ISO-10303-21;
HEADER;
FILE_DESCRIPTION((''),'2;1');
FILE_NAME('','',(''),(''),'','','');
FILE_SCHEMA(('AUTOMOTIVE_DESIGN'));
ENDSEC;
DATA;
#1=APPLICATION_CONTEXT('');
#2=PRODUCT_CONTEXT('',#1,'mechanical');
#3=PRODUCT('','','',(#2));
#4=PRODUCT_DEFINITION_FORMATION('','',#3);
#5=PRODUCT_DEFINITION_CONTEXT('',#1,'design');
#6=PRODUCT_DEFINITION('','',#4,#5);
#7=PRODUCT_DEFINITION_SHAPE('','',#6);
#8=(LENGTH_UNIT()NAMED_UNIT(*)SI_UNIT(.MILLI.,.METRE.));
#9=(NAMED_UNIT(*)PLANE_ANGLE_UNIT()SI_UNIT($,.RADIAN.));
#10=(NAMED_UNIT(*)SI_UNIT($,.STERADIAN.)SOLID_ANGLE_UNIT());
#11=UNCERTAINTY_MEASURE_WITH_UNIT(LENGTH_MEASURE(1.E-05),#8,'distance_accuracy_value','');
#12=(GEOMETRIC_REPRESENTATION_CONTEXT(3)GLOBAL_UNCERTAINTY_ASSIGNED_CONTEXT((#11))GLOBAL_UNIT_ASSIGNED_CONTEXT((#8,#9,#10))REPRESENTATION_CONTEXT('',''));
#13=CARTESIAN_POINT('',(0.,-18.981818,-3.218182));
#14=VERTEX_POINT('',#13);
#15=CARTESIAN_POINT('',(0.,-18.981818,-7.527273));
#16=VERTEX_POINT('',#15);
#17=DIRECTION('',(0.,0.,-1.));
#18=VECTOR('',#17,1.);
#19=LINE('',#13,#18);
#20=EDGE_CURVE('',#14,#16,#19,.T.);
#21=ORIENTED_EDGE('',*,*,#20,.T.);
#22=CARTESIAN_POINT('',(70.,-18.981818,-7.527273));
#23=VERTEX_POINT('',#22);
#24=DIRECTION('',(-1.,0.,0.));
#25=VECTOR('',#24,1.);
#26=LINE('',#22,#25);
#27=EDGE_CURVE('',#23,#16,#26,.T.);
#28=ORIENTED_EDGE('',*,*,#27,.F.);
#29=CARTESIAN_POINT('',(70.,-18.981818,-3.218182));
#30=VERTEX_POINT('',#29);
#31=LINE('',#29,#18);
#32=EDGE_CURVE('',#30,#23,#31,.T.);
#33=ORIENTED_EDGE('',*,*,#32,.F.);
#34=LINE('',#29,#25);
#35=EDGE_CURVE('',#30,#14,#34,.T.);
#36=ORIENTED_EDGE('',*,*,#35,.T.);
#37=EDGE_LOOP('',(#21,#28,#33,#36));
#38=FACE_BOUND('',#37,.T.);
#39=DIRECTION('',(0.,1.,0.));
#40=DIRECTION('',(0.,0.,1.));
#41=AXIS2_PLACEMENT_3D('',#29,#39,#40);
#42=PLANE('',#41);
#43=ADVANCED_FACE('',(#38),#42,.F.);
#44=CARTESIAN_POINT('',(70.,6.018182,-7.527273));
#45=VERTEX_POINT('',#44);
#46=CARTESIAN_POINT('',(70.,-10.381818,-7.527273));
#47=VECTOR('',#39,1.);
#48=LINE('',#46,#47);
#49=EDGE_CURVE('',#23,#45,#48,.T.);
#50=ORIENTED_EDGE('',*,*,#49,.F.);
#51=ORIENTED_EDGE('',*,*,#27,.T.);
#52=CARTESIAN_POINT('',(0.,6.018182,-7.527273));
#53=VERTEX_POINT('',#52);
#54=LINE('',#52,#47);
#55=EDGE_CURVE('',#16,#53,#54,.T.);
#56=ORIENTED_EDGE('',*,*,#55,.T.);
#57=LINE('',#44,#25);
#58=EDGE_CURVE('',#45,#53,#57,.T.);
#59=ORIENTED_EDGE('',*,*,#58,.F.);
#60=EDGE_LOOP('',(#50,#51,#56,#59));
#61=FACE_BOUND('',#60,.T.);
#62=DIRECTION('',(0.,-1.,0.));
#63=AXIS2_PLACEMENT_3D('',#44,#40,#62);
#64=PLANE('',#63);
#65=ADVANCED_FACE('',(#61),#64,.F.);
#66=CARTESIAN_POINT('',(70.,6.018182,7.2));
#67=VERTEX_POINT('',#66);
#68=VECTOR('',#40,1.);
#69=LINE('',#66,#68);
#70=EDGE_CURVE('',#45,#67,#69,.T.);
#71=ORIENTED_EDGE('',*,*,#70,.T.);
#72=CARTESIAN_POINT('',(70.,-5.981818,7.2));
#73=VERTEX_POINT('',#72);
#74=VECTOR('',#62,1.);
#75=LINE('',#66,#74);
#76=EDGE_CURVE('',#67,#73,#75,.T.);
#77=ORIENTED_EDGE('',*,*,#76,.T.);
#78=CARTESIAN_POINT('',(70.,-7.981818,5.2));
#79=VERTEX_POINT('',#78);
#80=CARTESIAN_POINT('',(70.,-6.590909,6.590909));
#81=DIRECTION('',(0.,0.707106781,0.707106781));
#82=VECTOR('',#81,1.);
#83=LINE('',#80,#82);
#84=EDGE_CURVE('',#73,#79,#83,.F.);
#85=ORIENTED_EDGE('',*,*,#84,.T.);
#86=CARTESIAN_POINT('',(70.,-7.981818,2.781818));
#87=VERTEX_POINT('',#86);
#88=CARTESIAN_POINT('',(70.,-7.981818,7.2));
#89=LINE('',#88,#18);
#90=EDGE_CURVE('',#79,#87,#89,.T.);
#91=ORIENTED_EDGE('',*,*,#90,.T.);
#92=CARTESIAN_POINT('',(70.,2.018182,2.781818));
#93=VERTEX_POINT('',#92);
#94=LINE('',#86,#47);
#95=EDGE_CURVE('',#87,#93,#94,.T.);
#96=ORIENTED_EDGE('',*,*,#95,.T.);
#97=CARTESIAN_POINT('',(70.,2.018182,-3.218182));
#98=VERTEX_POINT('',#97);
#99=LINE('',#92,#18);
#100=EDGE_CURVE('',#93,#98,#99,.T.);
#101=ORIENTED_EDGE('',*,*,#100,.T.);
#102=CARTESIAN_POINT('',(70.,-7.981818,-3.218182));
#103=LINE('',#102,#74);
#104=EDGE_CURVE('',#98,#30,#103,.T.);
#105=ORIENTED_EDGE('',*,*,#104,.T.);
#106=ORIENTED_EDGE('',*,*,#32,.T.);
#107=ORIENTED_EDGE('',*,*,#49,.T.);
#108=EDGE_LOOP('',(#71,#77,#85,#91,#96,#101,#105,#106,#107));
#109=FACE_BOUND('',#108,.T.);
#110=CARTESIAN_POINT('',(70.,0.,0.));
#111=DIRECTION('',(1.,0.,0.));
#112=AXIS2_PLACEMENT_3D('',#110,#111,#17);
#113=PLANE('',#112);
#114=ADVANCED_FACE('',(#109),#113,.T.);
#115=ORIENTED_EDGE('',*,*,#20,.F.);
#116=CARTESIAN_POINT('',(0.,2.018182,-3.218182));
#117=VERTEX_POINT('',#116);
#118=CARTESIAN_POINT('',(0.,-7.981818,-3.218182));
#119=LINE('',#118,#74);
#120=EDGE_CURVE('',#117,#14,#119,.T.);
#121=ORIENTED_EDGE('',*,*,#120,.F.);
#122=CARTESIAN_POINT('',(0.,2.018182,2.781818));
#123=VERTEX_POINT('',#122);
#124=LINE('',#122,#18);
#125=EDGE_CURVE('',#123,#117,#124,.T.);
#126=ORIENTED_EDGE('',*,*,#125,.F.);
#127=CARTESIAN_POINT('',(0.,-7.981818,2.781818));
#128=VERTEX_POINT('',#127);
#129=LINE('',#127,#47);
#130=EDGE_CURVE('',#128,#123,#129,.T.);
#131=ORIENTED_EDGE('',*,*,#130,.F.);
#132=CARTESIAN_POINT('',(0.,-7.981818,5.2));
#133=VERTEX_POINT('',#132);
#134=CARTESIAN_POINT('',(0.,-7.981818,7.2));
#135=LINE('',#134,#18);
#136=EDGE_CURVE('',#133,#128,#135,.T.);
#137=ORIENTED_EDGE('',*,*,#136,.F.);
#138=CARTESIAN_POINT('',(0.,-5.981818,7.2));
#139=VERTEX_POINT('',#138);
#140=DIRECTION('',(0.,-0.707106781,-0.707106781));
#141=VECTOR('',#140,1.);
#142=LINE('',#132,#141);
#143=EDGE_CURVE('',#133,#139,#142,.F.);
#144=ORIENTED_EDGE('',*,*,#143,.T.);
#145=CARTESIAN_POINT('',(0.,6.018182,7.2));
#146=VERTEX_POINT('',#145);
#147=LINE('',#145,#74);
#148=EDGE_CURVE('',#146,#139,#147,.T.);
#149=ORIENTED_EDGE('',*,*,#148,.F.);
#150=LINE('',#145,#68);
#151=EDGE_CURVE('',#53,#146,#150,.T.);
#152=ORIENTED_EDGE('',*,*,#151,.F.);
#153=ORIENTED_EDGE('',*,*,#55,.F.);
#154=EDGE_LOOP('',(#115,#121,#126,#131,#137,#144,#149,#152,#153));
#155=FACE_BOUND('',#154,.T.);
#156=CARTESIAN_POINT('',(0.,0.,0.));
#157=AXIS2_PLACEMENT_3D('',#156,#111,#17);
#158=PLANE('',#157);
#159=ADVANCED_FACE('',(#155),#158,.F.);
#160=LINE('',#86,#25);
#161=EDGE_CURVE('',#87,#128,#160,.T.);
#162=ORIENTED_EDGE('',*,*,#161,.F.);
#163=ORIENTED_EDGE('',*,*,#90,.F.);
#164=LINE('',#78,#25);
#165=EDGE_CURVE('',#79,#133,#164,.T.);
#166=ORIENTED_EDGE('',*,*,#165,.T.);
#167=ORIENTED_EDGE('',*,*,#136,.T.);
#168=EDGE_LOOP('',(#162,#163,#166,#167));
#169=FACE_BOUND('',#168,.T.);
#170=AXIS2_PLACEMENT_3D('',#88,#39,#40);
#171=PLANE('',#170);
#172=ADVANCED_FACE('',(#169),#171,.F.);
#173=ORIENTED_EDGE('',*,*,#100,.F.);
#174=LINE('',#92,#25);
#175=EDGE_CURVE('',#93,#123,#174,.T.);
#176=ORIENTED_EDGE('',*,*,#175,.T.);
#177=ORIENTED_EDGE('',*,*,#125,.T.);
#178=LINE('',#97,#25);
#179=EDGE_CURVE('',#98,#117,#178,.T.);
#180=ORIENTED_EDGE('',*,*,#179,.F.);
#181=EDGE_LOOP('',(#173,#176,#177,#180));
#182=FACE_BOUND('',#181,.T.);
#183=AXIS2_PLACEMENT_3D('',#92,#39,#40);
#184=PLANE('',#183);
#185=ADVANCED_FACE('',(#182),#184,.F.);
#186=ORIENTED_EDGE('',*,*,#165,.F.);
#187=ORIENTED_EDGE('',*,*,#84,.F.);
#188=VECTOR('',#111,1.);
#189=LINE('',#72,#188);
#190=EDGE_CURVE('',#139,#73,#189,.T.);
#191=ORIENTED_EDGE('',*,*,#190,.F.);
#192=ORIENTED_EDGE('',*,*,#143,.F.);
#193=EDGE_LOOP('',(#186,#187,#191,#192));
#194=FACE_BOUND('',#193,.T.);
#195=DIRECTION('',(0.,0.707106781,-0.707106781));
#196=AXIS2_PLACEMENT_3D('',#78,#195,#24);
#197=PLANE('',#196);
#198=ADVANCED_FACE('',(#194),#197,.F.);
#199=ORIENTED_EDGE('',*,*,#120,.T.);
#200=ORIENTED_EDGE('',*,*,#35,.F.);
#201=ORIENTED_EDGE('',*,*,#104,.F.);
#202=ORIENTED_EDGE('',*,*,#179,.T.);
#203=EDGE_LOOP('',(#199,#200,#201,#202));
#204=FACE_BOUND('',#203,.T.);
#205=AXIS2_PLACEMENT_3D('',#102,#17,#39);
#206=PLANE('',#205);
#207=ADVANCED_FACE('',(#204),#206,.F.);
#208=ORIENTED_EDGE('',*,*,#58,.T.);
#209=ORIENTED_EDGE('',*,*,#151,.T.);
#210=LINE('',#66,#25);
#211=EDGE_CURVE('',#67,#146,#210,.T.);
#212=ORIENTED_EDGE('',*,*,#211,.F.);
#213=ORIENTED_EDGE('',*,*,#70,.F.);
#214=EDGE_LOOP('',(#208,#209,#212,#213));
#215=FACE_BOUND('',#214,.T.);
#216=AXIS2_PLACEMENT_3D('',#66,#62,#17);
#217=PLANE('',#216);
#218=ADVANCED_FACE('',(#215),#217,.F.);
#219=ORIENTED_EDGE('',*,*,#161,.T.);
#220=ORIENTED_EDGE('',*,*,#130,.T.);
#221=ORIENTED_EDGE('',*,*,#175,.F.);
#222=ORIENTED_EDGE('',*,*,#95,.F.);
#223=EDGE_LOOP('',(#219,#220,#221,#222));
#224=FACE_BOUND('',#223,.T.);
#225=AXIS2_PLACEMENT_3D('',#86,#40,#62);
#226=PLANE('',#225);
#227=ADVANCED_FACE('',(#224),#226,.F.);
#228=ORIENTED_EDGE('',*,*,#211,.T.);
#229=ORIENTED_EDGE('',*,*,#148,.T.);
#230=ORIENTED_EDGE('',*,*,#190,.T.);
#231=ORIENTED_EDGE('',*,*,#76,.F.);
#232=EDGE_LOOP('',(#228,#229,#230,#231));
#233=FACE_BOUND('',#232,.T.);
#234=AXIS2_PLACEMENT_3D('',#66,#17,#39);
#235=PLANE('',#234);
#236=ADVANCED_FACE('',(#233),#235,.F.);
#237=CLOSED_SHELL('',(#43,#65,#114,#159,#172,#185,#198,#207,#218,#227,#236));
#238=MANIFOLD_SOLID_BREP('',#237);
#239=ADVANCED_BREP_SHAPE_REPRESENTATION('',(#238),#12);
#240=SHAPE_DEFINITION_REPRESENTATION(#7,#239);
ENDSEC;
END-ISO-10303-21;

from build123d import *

# Parameters (mm, degrees)
BOSS_EXTRUDE1_DEPTH = 70
CHAMFER1_SIZE       = 2


with BuildPart() as part:
    # Sketch1 → Boss-Extrude1 (new body)
    with BuildSketch(Plane(origin=(0, 0, 0), x_dir=(0, 0, -1), z_dir=(1, 0, 0))):
        Polygon((-7.2, 6.018181818), (7.527272727, 6.018181818), (7.527272727, -10.381818182), (7.527272727, -18.981818182), (3.218181818, -18.981818182), (3.218181818, -7.981818182), (3.218181818, 2.018181818), (-2.781818182, 2.018181818), (-2.781818182, -7.981818182), (-7.2, -7.981818182), align=None)
    extrude(amount=BOSS_EXTRUDE1_DEPTH)

    # Chamfer1
    chamfer1_edges = [part.edges().sort_by_distance(p)[0] for p in [
        (35, -7.981818182, 7.2),
    ]]
    chamfer(chamfer1_edges, length=CHAMFER1_SIZE)


solid = part.part
